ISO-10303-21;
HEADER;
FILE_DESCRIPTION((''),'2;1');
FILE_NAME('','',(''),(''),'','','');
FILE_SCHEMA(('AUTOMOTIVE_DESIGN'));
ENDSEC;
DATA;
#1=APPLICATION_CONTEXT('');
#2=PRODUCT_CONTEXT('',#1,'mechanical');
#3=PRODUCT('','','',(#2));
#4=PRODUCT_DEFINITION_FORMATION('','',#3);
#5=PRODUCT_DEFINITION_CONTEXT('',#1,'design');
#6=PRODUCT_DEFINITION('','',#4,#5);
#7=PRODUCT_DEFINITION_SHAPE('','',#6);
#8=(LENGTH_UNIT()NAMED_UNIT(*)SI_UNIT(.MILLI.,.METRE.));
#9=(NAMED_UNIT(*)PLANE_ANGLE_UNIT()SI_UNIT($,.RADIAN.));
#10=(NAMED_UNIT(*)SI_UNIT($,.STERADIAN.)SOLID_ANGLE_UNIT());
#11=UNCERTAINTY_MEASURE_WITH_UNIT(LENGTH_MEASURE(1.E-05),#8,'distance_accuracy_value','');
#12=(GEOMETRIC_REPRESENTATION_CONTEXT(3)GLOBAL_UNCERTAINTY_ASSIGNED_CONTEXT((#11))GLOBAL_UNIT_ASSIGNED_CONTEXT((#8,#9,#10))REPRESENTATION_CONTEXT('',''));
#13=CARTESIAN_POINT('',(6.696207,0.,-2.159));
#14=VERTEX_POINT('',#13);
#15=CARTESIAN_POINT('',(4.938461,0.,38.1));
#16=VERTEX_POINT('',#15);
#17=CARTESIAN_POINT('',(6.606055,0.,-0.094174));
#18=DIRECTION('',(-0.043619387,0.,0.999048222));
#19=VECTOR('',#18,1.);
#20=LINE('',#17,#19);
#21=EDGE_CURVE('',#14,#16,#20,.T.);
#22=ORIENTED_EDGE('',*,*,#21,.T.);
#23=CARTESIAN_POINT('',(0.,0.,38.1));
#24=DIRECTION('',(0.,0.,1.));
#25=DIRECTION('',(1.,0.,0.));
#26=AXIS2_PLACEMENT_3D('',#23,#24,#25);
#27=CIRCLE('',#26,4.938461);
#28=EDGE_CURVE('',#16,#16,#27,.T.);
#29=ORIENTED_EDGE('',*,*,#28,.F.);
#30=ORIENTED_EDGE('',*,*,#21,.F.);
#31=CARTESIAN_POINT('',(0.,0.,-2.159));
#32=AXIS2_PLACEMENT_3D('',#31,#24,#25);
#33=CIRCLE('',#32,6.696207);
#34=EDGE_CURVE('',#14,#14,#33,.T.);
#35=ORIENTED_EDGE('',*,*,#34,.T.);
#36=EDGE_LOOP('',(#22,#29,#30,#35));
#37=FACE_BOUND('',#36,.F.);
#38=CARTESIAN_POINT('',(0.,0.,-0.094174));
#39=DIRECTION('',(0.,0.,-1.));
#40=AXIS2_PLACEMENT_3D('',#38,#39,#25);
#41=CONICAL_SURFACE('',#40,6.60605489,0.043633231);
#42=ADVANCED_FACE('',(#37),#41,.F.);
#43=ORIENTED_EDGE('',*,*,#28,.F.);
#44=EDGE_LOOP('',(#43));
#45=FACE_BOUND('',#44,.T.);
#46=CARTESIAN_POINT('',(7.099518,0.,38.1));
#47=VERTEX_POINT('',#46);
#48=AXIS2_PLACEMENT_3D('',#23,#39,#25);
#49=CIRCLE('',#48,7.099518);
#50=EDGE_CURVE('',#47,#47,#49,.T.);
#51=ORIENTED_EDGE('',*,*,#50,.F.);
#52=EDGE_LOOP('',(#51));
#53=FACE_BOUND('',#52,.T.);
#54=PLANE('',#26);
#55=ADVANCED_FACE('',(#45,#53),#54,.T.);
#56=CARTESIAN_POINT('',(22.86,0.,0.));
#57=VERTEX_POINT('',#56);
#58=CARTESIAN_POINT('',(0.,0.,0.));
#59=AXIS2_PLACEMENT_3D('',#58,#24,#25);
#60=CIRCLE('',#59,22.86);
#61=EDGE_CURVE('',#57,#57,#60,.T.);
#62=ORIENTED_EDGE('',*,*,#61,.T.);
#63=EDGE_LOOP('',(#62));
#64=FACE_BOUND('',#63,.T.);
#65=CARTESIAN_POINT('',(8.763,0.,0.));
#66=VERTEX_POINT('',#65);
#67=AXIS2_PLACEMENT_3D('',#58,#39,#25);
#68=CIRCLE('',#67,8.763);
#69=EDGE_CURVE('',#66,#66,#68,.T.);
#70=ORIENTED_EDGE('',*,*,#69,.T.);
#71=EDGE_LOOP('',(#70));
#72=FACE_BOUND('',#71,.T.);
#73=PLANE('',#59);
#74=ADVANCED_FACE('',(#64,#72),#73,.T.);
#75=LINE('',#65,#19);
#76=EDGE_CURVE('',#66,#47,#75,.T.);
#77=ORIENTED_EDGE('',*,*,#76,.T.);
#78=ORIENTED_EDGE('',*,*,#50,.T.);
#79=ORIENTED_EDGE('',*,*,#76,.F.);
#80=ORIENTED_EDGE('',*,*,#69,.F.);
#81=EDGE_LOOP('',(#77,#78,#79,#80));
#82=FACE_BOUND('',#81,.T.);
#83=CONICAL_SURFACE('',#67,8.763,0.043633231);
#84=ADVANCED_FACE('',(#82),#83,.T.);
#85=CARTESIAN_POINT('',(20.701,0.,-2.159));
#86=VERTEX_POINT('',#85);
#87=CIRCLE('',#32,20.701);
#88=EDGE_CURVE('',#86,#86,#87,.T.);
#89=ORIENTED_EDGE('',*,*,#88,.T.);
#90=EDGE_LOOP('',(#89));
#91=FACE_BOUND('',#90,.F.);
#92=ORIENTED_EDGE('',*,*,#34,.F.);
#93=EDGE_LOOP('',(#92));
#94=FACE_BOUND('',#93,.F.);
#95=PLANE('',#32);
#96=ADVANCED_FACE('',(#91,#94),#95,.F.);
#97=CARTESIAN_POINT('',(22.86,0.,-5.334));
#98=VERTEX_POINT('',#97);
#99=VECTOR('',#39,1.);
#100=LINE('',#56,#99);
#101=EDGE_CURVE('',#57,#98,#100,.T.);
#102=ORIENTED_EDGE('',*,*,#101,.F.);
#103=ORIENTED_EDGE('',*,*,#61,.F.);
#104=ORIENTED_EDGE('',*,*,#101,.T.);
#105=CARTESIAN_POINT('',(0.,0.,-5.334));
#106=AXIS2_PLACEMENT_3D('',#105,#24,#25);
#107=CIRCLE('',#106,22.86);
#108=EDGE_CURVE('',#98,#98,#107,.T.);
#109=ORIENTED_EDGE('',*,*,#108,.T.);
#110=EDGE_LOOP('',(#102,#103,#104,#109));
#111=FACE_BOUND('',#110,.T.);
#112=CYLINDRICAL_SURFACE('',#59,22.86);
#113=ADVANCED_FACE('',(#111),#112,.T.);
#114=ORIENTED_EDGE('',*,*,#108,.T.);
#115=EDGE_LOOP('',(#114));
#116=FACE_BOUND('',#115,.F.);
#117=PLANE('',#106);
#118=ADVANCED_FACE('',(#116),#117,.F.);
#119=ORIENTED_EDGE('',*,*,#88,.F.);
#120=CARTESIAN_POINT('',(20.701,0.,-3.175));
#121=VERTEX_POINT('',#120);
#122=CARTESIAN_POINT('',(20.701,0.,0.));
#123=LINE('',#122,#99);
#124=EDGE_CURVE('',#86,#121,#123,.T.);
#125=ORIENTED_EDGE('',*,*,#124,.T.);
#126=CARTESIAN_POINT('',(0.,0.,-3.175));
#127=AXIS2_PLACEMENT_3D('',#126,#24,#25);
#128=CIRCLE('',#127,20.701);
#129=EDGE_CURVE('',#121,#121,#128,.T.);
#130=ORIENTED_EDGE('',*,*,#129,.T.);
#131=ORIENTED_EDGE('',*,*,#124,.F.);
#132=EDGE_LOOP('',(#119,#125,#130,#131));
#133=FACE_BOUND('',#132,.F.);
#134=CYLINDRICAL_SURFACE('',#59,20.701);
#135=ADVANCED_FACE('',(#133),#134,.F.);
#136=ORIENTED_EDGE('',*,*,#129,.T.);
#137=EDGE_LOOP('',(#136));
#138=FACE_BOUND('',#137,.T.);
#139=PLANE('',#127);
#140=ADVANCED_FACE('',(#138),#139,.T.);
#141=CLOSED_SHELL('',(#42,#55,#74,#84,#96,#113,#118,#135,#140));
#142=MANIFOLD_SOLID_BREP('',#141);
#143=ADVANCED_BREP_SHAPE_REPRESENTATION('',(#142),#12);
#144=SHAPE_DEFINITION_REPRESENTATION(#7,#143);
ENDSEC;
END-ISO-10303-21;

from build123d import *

# Parameters (mm, degrees)
F0_R     = 22.86
F1_DEPTH = 5.334
F2_R     = 8.763
F3_DEPTH = 38.1
F3_TAPER = 2.5
F4_T     = -2.159


with BuildPart() as f1:
    # F0 (on Top) → F1 (new body)
    with BuildSketch(Plane.XY):
        Circle(F0_R)
    extrude(amount=-F1_DEPTH)

    # F2 (on Top) → F3 (join)
    with BuildSketch(Plane.XY):
        Circle(F2_R)
    extrude(amount=F3_DEPTH, taper=F3_TAPER)

    # F4
    f4_openings = [f1.faces().sort_by_distance(p)[0] for p in [
        (0, 0, 38.1),
    ]]
    offset(amount=F4_T, openings=f4_openings, kind=Kind.INTERSECTION)


solid = f1.part
